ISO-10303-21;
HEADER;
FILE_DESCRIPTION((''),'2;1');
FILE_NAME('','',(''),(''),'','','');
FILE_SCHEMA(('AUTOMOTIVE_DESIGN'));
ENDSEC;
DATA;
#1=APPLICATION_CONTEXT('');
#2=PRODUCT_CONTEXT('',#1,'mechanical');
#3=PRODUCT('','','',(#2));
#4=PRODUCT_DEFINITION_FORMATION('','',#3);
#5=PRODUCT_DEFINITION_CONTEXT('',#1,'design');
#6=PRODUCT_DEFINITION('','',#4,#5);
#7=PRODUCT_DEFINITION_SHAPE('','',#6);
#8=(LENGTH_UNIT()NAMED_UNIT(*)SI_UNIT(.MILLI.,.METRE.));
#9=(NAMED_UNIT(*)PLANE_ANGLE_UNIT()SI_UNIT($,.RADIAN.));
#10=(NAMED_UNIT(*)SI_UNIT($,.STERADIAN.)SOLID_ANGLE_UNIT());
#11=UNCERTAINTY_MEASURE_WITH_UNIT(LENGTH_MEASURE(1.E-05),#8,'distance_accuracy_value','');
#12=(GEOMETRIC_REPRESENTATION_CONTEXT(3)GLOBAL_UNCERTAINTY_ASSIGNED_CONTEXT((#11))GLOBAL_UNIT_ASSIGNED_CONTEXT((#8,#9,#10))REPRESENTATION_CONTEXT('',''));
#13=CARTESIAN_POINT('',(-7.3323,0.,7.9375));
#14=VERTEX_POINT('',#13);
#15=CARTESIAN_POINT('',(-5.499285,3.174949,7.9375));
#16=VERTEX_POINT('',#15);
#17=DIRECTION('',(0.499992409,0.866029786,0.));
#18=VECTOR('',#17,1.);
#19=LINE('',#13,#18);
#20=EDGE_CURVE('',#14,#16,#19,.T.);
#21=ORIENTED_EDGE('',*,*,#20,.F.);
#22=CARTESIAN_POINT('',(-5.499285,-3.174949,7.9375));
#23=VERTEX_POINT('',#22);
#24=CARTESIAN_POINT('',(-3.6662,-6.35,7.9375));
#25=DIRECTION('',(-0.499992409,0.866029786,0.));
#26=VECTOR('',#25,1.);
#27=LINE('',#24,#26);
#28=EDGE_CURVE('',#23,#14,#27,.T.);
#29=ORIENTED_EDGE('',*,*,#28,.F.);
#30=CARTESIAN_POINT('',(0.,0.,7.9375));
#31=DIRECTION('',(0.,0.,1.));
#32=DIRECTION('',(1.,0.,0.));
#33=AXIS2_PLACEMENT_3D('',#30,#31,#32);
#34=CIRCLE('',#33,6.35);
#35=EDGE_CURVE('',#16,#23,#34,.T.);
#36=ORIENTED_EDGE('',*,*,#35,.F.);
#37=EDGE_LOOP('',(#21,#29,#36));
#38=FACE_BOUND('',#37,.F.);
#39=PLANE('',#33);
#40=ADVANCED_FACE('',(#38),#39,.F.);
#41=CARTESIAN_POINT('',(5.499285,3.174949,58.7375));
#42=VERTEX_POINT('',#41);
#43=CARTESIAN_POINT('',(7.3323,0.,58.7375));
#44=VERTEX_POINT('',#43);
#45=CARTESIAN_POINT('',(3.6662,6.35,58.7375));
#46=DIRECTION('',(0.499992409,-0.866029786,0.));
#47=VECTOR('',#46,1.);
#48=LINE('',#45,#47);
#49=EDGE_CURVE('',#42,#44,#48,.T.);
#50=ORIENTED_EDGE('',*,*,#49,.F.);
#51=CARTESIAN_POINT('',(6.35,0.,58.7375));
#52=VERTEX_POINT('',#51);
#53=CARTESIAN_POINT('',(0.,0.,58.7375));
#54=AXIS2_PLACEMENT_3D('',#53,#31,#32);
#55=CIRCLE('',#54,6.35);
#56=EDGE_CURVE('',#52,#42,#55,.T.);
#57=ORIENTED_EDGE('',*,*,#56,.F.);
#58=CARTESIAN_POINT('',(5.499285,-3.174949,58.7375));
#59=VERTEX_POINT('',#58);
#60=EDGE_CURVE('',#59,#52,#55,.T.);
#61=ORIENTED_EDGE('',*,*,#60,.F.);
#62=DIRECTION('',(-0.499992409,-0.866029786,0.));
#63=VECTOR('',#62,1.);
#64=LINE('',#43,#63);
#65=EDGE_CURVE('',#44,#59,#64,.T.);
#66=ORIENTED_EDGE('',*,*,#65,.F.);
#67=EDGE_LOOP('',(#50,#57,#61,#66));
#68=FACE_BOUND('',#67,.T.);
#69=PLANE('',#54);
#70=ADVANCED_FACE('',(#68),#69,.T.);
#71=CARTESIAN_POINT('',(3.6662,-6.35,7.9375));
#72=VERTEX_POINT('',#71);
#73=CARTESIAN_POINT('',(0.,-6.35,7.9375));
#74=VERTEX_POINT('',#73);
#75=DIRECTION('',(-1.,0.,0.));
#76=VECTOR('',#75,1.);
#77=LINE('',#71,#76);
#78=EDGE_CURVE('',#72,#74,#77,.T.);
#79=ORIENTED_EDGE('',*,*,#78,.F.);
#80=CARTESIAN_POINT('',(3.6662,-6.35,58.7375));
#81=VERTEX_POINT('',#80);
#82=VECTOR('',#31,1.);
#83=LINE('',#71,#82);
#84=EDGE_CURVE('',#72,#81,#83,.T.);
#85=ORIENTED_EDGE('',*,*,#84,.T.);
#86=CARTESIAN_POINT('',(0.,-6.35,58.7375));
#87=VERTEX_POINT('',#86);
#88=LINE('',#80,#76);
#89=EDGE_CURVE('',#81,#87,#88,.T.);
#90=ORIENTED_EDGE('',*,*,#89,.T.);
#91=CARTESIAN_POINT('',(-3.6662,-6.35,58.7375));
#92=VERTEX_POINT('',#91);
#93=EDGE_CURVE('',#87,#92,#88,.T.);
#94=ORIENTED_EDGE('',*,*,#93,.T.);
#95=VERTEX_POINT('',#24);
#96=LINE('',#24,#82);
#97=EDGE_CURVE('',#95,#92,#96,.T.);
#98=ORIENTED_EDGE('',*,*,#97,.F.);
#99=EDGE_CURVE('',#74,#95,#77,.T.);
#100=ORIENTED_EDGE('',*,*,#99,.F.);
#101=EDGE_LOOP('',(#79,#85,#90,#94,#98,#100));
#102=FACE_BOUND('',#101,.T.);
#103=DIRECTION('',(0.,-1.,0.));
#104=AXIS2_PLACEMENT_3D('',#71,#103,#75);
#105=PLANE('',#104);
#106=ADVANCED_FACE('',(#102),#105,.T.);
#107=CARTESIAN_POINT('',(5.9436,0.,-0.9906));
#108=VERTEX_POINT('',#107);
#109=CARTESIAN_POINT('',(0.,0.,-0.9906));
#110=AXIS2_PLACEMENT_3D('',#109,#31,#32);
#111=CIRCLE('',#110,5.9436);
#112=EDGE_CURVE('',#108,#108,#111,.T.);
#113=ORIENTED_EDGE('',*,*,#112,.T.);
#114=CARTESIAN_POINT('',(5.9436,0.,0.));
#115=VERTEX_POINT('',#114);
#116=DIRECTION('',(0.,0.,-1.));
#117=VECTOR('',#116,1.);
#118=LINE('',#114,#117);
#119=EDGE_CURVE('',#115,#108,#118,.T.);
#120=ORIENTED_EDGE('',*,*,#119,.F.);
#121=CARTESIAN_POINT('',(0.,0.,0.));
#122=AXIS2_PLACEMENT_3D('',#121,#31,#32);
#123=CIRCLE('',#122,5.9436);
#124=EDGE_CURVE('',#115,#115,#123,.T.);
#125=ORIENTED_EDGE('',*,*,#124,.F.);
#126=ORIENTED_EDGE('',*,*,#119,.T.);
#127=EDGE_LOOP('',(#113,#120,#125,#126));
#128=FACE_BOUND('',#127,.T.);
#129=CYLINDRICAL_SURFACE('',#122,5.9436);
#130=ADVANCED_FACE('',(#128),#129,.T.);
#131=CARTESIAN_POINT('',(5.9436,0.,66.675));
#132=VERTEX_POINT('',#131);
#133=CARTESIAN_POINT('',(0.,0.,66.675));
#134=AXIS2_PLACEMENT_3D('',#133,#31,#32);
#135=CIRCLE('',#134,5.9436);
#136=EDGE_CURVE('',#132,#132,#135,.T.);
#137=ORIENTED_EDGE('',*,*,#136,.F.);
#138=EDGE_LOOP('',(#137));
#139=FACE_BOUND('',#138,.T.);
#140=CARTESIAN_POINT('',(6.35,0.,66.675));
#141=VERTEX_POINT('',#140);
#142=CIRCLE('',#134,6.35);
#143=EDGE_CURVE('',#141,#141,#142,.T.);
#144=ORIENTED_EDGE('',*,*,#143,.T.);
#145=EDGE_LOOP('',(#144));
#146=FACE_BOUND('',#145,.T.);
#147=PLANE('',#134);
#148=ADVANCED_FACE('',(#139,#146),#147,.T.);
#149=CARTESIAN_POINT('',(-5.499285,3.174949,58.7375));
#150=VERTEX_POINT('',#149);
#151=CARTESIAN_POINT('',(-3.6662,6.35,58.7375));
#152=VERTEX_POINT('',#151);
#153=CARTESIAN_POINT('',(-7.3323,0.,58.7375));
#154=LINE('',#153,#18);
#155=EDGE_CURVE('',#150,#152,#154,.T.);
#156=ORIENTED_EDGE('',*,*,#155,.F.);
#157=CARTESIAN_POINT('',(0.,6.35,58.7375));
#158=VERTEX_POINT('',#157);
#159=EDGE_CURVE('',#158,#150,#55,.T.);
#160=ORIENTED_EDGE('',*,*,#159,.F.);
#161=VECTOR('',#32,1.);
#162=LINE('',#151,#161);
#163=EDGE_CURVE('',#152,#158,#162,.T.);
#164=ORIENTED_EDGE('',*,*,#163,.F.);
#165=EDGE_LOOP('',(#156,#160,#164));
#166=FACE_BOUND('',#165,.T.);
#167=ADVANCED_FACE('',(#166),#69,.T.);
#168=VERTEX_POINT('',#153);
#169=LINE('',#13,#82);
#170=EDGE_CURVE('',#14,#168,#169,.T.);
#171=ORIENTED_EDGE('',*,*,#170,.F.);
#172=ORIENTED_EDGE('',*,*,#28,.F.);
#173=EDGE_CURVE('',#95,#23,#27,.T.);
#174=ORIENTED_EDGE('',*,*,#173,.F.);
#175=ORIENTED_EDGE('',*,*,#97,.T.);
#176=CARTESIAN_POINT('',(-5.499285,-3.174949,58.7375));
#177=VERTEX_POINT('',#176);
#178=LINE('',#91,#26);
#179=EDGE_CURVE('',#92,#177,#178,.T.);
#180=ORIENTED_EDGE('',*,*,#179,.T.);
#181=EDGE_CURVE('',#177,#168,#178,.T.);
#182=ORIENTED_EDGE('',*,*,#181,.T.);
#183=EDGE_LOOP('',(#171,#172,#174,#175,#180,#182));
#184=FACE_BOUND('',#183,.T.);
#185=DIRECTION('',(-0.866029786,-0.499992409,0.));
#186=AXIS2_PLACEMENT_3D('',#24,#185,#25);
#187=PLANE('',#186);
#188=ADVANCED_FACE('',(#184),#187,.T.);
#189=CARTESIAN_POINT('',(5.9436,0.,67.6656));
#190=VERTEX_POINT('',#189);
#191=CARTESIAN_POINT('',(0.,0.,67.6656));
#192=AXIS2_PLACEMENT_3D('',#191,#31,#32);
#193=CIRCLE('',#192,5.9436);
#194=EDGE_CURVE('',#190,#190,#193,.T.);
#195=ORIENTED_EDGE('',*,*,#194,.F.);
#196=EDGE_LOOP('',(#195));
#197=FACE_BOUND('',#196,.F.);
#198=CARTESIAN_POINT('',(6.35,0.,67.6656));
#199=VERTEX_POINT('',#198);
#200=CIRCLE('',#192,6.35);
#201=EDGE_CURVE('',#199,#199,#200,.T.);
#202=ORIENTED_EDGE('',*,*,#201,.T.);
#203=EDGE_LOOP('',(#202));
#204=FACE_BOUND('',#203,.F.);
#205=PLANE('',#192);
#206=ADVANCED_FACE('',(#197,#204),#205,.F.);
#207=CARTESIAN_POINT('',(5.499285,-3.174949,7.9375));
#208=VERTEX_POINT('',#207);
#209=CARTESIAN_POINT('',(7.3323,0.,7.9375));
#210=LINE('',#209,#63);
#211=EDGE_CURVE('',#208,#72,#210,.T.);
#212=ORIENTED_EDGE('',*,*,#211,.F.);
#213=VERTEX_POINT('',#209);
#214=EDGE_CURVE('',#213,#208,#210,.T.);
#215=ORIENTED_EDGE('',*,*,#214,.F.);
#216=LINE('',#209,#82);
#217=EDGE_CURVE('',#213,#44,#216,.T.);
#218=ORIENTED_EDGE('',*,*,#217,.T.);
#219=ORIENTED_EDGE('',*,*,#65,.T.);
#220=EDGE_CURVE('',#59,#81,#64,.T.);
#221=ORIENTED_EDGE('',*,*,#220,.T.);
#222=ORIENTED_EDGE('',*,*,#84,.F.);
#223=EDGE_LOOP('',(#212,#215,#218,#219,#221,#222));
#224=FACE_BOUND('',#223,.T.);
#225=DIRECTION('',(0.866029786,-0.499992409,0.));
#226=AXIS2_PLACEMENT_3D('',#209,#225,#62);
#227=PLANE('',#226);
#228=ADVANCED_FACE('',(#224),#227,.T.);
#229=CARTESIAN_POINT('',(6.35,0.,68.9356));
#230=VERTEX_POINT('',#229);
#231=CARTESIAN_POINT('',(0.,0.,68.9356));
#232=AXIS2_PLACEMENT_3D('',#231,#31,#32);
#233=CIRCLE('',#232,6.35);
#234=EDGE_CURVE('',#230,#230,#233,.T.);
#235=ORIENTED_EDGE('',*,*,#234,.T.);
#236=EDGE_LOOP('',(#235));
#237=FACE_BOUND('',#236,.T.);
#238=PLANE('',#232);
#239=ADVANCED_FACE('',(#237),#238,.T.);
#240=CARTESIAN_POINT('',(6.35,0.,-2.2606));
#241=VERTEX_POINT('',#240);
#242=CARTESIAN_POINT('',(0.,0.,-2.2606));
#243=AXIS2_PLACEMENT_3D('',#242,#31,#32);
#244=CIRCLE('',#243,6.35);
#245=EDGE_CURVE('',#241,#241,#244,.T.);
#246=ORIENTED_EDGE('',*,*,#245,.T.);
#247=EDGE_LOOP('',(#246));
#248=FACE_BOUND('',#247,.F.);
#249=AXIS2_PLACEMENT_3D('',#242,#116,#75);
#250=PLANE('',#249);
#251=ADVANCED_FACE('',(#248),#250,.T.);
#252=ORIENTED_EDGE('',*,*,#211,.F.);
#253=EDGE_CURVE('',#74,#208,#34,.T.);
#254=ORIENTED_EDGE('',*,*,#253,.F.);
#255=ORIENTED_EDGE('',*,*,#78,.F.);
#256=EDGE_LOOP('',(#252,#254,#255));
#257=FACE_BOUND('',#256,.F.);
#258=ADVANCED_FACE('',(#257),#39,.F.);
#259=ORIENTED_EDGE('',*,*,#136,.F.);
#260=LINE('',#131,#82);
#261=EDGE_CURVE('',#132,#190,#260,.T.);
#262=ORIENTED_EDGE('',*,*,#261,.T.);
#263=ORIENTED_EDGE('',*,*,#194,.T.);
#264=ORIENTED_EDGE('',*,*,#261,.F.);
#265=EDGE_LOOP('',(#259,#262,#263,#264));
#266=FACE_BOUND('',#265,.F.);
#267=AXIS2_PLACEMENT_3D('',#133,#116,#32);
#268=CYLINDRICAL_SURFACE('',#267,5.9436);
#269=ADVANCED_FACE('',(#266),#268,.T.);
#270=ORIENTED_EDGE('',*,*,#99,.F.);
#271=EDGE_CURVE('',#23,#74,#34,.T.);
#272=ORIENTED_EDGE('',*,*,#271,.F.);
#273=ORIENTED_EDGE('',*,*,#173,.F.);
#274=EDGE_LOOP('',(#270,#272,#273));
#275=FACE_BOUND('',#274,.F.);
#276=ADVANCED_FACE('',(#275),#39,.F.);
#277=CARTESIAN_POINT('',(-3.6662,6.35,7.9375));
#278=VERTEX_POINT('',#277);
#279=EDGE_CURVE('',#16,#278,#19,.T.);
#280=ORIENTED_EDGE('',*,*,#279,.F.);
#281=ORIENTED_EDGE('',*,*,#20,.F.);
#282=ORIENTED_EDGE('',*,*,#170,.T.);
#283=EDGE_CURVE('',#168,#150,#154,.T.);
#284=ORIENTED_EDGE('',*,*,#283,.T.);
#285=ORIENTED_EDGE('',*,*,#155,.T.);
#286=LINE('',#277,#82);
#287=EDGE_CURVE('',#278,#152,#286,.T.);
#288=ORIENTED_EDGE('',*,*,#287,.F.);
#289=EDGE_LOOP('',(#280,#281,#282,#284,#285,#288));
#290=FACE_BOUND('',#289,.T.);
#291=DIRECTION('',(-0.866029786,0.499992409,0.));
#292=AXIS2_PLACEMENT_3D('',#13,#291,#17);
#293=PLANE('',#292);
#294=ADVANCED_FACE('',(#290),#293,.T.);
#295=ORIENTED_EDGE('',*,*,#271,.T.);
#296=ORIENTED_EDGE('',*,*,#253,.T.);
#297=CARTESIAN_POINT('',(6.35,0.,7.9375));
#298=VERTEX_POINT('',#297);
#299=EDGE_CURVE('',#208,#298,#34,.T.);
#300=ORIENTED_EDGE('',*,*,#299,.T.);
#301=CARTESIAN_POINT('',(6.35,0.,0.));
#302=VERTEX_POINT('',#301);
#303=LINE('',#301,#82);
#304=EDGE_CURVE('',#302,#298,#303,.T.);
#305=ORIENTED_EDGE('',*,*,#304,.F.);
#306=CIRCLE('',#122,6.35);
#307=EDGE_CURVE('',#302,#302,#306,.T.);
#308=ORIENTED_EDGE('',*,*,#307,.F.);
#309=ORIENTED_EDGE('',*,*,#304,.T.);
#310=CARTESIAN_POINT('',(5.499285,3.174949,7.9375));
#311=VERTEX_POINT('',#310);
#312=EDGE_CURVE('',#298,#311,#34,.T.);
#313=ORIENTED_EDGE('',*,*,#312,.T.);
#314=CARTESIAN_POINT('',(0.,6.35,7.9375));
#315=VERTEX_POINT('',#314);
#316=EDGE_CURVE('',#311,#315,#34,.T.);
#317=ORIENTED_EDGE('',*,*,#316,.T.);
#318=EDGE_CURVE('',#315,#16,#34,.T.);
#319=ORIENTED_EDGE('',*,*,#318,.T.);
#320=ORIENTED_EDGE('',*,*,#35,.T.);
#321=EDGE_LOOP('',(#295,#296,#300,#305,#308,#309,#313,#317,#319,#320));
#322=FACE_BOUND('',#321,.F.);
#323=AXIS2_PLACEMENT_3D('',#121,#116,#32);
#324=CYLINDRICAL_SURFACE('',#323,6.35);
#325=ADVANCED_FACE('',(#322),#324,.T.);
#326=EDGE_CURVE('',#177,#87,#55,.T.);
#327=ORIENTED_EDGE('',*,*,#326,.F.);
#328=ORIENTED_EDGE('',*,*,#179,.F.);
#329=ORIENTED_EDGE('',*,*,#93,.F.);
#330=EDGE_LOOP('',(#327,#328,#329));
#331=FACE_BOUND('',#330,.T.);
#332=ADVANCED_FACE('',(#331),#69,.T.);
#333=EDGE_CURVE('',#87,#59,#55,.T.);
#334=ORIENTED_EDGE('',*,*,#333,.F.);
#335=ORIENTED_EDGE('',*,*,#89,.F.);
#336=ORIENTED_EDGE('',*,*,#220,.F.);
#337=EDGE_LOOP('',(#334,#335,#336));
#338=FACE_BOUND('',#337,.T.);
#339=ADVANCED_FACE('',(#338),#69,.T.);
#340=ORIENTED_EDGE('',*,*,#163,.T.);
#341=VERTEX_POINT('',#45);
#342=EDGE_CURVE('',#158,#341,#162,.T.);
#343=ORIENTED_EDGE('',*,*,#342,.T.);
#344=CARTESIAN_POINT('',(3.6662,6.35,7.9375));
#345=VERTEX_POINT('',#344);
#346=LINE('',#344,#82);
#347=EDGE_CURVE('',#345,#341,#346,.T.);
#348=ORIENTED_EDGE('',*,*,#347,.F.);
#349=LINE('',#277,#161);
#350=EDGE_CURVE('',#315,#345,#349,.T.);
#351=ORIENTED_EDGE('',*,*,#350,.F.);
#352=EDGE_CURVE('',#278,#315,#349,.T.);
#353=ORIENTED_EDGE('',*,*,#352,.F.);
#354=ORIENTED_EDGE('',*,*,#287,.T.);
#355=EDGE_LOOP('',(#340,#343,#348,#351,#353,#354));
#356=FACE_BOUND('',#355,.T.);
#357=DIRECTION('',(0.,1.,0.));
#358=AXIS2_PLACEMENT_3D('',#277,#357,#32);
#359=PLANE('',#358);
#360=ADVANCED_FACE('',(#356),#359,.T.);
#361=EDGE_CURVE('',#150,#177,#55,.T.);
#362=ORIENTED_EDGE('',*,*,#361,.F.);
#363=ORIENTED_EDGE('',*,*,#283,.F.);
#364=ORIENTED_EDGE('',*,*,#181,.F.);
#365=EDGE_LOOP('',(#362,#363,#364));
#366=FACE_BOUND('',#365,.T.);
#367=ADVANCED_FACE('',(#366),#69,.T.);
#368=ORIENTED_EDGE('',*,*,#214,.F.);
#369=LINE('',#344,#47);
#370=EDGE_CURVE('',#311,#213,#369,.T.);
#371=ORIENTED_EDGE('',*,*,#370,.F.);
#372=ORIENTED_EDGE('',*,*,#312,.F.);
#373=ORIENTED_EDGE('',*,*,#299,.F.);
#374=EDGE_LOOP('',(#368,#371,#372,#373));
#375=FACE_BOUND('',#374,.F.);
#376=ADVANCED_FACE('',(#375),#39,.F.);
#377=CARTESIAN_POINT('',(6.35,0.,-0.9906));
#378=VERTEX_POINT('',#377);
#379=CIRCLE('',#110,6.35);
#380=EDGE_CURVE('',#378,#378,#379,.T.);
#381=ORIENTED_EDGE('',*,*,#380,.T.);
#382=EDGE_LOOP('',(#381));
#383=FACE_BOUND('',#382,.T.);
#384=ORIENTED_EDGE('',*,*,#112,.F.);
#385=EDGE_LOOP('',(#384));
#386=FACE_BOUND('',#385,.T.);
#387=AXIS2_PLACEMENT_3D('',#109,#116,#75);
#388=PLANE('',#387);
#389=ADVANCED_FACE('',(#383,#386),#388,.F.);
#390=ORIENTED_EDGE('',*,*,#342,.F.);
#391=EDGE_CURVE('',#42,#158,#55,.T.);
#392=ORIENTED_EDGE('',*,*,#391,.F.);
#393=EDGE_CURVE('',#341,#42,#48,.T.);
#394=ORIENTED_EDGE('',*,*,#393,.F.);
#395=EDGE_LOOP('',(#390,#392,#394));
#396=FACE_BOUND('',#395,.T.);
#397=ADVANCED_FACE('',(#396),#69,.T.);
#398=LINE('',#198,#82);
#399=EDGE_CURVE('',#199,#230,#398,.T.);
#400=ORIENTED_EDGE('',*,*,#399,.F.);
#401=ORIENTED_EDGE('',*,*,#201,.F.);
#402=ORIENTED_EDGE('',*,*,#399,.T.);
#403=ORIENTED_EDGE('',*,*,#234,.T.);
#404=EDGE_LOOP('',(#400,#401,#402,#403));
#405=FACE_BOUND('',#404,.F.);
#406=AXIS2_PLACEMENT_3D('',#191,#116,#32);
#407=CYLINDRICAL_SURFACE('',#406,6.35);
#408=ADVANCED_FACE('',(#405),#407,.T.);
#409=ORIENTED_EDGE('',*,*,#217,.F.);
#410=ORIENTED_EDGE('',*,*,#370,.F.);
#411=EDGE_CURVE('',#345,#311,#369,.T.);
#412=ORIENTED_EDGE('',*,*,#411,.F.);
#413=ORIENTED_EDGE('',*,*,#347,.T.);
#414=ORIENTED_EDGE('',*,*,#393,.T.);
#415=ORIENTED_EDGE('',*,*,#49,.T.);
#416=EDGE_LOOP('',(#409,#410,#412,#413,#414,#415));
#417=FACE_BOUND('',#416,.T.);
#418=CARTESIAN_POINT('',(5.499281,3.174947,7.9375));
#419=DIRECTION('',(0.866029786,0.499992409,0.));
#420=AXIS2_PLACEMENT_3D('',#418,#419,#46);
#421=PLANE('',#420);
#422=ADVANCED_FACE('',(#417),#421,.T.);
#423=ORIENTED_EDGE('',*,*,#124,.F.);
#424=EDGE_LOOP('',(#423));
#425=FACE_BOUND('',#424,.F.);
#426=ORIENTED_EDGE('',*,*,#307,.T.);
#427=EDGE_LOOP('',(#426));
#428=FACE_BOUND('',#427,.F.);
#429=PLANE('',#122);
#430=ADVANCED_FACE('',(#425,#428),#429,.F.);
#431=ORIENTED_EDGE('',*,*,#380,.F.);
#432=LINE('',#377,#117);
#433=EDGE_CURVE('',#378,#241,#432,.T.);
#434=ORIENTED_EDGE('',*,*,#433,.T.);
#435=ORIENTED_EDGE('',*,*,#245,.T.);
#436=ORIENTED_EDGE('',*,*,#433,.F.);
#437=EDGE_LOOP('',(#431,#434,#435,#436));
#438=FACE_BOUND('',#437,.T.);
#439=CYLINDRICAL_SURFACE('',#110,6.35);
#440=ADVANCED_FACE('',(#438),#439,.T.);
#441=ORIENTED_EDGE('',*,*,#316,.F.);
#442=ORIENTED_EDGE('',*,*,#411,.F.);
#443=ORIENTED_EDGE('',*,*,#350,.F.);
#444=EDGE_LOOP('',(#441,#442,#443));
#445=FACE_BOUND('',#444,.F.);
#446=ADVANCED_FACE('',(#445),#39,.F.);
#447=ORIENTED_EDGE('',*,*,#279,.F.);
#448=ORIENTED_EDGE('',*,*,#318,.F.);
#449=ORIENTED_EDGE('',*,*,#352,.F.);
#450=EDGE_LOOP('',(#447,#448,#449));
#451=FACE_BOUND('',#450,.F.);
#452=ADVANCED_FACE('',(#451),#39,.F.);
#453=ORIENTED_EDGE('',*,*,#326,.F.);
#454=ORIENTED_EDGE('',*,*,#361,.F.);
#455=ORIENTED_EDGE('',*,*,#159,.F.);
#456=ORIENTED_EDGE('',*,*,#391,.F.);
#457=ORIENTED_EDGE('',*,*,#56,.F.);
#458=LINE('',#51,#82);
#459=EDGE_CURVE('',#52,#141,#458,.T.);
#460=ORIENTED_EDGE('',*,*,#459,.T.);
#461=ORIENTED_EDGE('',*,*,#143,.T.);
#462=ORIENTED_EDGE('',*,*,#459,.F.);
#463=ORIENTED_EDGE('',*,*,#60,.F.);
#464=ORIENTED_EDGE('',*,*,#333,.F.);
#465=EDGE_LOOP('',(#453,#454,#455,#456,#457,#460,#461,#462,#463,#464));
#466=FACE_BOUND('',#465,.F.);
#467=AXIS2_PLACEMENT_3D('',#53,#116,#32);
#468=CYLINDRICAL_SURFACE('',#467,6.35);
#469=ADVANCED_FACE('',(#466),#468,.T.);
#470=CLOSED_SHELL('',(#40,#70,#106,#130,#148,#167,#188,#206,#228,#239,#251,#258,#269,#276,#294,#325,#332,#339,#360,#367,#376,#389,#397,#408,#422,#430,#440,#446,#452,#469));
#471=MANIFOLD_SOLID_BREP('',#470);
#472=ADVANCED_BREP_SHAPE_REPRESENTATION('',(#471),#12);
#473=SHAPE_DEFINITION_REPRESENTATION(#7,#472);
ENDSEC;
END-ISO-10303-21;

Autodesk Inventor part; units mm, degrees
ref_plane "YZ Plane" through (0, 0, 0) normal (1, 0, 0) x (0, 1, 0)
ref_plane "XZ Plane" through (0, 0, 0) normal (0, 1, 0) x (-1, 0, 0)
sketch "Sketch1" plane through (0, 0, 0) normal (0, 0, 1) x (1, 0, 0)
  circle A0 centre (0, 0) radius 6.35
  dimension "d0" = 12.7
extrude "Extrusion1" add sketch "Sketch1" along normal blind 7.9375
sketch "Sketch2" plane through (0, 0, 7.9375) normal (0, 0, 1) x (1, 0, 0)
  circle A0 centre (0, 0) radius 6.35 projected
  line L0 (-7.3323, 0) -> (-3.6662, 6.35)
  line L1 (-3.6662, 6.35) -> (3.6662, 6.35)
  line L2 (3.6662, 6.35) -> (7.3323, 0)
  line L3 (7.3323, 0) -> (3.6662, -6.35)
  line L4 (3.6662, -6.35) -> (-3.6662, -6.35)
  line L5 (-3.6662, -6.35) -> (-7.3323, 0)
  dimension "d4" = 12.7
extrude "Extrusion2" add sketch "Sketch2" along normal blind 50.8
sketch "Sketch3" plane through (0, 0, 58.7375) normal (0, 0, 1) x (1, 0, 0)
  circle A0 centre (0, 0) radius 6.35
  dimension "d7" = 12.7
extrude "Extrusion3" add sketch "Sketch3" along normal blind 7.9375
ref_plane "Work Plane1" through (0, 0, 33.3375) normal (0, 0, 1) x (1, 0, 0)
sketch "Sketch4" plane through (0, 0, 66.675) normal (0, 0, 1) x (1, 0, 0)
  circle A0 centre (0, 0) radius 6.35 projected
  circle A1 centre (0, 0) radius 5.9436
  dimension "d10" = 11.8872
extrude "Extrusion4" add sketch "Sketch4" along normal blind 0.9906 contours A1
sketch "Sketch5" plane through (0, 0, 67.6656) normal (0, 0, 1) x (1, 0, 0)
  circle A0 centre (0, 0) radius 5.9436 projected
  circle A1 centre (0, 0) radius 6.35
  dimension "d14" = 12.7
extrude "Extrusion5" add sketch "Sketch5" along normal blind 1.27 contours A0 | A1
mirror "Mirror1" about plane through (0, 0, 33.3375) normal (0, 0, 1) of "Extrusion4", "Extrusion5"
properties part number "Carriage Shaft - Lower" material "Aluminum 6061"
